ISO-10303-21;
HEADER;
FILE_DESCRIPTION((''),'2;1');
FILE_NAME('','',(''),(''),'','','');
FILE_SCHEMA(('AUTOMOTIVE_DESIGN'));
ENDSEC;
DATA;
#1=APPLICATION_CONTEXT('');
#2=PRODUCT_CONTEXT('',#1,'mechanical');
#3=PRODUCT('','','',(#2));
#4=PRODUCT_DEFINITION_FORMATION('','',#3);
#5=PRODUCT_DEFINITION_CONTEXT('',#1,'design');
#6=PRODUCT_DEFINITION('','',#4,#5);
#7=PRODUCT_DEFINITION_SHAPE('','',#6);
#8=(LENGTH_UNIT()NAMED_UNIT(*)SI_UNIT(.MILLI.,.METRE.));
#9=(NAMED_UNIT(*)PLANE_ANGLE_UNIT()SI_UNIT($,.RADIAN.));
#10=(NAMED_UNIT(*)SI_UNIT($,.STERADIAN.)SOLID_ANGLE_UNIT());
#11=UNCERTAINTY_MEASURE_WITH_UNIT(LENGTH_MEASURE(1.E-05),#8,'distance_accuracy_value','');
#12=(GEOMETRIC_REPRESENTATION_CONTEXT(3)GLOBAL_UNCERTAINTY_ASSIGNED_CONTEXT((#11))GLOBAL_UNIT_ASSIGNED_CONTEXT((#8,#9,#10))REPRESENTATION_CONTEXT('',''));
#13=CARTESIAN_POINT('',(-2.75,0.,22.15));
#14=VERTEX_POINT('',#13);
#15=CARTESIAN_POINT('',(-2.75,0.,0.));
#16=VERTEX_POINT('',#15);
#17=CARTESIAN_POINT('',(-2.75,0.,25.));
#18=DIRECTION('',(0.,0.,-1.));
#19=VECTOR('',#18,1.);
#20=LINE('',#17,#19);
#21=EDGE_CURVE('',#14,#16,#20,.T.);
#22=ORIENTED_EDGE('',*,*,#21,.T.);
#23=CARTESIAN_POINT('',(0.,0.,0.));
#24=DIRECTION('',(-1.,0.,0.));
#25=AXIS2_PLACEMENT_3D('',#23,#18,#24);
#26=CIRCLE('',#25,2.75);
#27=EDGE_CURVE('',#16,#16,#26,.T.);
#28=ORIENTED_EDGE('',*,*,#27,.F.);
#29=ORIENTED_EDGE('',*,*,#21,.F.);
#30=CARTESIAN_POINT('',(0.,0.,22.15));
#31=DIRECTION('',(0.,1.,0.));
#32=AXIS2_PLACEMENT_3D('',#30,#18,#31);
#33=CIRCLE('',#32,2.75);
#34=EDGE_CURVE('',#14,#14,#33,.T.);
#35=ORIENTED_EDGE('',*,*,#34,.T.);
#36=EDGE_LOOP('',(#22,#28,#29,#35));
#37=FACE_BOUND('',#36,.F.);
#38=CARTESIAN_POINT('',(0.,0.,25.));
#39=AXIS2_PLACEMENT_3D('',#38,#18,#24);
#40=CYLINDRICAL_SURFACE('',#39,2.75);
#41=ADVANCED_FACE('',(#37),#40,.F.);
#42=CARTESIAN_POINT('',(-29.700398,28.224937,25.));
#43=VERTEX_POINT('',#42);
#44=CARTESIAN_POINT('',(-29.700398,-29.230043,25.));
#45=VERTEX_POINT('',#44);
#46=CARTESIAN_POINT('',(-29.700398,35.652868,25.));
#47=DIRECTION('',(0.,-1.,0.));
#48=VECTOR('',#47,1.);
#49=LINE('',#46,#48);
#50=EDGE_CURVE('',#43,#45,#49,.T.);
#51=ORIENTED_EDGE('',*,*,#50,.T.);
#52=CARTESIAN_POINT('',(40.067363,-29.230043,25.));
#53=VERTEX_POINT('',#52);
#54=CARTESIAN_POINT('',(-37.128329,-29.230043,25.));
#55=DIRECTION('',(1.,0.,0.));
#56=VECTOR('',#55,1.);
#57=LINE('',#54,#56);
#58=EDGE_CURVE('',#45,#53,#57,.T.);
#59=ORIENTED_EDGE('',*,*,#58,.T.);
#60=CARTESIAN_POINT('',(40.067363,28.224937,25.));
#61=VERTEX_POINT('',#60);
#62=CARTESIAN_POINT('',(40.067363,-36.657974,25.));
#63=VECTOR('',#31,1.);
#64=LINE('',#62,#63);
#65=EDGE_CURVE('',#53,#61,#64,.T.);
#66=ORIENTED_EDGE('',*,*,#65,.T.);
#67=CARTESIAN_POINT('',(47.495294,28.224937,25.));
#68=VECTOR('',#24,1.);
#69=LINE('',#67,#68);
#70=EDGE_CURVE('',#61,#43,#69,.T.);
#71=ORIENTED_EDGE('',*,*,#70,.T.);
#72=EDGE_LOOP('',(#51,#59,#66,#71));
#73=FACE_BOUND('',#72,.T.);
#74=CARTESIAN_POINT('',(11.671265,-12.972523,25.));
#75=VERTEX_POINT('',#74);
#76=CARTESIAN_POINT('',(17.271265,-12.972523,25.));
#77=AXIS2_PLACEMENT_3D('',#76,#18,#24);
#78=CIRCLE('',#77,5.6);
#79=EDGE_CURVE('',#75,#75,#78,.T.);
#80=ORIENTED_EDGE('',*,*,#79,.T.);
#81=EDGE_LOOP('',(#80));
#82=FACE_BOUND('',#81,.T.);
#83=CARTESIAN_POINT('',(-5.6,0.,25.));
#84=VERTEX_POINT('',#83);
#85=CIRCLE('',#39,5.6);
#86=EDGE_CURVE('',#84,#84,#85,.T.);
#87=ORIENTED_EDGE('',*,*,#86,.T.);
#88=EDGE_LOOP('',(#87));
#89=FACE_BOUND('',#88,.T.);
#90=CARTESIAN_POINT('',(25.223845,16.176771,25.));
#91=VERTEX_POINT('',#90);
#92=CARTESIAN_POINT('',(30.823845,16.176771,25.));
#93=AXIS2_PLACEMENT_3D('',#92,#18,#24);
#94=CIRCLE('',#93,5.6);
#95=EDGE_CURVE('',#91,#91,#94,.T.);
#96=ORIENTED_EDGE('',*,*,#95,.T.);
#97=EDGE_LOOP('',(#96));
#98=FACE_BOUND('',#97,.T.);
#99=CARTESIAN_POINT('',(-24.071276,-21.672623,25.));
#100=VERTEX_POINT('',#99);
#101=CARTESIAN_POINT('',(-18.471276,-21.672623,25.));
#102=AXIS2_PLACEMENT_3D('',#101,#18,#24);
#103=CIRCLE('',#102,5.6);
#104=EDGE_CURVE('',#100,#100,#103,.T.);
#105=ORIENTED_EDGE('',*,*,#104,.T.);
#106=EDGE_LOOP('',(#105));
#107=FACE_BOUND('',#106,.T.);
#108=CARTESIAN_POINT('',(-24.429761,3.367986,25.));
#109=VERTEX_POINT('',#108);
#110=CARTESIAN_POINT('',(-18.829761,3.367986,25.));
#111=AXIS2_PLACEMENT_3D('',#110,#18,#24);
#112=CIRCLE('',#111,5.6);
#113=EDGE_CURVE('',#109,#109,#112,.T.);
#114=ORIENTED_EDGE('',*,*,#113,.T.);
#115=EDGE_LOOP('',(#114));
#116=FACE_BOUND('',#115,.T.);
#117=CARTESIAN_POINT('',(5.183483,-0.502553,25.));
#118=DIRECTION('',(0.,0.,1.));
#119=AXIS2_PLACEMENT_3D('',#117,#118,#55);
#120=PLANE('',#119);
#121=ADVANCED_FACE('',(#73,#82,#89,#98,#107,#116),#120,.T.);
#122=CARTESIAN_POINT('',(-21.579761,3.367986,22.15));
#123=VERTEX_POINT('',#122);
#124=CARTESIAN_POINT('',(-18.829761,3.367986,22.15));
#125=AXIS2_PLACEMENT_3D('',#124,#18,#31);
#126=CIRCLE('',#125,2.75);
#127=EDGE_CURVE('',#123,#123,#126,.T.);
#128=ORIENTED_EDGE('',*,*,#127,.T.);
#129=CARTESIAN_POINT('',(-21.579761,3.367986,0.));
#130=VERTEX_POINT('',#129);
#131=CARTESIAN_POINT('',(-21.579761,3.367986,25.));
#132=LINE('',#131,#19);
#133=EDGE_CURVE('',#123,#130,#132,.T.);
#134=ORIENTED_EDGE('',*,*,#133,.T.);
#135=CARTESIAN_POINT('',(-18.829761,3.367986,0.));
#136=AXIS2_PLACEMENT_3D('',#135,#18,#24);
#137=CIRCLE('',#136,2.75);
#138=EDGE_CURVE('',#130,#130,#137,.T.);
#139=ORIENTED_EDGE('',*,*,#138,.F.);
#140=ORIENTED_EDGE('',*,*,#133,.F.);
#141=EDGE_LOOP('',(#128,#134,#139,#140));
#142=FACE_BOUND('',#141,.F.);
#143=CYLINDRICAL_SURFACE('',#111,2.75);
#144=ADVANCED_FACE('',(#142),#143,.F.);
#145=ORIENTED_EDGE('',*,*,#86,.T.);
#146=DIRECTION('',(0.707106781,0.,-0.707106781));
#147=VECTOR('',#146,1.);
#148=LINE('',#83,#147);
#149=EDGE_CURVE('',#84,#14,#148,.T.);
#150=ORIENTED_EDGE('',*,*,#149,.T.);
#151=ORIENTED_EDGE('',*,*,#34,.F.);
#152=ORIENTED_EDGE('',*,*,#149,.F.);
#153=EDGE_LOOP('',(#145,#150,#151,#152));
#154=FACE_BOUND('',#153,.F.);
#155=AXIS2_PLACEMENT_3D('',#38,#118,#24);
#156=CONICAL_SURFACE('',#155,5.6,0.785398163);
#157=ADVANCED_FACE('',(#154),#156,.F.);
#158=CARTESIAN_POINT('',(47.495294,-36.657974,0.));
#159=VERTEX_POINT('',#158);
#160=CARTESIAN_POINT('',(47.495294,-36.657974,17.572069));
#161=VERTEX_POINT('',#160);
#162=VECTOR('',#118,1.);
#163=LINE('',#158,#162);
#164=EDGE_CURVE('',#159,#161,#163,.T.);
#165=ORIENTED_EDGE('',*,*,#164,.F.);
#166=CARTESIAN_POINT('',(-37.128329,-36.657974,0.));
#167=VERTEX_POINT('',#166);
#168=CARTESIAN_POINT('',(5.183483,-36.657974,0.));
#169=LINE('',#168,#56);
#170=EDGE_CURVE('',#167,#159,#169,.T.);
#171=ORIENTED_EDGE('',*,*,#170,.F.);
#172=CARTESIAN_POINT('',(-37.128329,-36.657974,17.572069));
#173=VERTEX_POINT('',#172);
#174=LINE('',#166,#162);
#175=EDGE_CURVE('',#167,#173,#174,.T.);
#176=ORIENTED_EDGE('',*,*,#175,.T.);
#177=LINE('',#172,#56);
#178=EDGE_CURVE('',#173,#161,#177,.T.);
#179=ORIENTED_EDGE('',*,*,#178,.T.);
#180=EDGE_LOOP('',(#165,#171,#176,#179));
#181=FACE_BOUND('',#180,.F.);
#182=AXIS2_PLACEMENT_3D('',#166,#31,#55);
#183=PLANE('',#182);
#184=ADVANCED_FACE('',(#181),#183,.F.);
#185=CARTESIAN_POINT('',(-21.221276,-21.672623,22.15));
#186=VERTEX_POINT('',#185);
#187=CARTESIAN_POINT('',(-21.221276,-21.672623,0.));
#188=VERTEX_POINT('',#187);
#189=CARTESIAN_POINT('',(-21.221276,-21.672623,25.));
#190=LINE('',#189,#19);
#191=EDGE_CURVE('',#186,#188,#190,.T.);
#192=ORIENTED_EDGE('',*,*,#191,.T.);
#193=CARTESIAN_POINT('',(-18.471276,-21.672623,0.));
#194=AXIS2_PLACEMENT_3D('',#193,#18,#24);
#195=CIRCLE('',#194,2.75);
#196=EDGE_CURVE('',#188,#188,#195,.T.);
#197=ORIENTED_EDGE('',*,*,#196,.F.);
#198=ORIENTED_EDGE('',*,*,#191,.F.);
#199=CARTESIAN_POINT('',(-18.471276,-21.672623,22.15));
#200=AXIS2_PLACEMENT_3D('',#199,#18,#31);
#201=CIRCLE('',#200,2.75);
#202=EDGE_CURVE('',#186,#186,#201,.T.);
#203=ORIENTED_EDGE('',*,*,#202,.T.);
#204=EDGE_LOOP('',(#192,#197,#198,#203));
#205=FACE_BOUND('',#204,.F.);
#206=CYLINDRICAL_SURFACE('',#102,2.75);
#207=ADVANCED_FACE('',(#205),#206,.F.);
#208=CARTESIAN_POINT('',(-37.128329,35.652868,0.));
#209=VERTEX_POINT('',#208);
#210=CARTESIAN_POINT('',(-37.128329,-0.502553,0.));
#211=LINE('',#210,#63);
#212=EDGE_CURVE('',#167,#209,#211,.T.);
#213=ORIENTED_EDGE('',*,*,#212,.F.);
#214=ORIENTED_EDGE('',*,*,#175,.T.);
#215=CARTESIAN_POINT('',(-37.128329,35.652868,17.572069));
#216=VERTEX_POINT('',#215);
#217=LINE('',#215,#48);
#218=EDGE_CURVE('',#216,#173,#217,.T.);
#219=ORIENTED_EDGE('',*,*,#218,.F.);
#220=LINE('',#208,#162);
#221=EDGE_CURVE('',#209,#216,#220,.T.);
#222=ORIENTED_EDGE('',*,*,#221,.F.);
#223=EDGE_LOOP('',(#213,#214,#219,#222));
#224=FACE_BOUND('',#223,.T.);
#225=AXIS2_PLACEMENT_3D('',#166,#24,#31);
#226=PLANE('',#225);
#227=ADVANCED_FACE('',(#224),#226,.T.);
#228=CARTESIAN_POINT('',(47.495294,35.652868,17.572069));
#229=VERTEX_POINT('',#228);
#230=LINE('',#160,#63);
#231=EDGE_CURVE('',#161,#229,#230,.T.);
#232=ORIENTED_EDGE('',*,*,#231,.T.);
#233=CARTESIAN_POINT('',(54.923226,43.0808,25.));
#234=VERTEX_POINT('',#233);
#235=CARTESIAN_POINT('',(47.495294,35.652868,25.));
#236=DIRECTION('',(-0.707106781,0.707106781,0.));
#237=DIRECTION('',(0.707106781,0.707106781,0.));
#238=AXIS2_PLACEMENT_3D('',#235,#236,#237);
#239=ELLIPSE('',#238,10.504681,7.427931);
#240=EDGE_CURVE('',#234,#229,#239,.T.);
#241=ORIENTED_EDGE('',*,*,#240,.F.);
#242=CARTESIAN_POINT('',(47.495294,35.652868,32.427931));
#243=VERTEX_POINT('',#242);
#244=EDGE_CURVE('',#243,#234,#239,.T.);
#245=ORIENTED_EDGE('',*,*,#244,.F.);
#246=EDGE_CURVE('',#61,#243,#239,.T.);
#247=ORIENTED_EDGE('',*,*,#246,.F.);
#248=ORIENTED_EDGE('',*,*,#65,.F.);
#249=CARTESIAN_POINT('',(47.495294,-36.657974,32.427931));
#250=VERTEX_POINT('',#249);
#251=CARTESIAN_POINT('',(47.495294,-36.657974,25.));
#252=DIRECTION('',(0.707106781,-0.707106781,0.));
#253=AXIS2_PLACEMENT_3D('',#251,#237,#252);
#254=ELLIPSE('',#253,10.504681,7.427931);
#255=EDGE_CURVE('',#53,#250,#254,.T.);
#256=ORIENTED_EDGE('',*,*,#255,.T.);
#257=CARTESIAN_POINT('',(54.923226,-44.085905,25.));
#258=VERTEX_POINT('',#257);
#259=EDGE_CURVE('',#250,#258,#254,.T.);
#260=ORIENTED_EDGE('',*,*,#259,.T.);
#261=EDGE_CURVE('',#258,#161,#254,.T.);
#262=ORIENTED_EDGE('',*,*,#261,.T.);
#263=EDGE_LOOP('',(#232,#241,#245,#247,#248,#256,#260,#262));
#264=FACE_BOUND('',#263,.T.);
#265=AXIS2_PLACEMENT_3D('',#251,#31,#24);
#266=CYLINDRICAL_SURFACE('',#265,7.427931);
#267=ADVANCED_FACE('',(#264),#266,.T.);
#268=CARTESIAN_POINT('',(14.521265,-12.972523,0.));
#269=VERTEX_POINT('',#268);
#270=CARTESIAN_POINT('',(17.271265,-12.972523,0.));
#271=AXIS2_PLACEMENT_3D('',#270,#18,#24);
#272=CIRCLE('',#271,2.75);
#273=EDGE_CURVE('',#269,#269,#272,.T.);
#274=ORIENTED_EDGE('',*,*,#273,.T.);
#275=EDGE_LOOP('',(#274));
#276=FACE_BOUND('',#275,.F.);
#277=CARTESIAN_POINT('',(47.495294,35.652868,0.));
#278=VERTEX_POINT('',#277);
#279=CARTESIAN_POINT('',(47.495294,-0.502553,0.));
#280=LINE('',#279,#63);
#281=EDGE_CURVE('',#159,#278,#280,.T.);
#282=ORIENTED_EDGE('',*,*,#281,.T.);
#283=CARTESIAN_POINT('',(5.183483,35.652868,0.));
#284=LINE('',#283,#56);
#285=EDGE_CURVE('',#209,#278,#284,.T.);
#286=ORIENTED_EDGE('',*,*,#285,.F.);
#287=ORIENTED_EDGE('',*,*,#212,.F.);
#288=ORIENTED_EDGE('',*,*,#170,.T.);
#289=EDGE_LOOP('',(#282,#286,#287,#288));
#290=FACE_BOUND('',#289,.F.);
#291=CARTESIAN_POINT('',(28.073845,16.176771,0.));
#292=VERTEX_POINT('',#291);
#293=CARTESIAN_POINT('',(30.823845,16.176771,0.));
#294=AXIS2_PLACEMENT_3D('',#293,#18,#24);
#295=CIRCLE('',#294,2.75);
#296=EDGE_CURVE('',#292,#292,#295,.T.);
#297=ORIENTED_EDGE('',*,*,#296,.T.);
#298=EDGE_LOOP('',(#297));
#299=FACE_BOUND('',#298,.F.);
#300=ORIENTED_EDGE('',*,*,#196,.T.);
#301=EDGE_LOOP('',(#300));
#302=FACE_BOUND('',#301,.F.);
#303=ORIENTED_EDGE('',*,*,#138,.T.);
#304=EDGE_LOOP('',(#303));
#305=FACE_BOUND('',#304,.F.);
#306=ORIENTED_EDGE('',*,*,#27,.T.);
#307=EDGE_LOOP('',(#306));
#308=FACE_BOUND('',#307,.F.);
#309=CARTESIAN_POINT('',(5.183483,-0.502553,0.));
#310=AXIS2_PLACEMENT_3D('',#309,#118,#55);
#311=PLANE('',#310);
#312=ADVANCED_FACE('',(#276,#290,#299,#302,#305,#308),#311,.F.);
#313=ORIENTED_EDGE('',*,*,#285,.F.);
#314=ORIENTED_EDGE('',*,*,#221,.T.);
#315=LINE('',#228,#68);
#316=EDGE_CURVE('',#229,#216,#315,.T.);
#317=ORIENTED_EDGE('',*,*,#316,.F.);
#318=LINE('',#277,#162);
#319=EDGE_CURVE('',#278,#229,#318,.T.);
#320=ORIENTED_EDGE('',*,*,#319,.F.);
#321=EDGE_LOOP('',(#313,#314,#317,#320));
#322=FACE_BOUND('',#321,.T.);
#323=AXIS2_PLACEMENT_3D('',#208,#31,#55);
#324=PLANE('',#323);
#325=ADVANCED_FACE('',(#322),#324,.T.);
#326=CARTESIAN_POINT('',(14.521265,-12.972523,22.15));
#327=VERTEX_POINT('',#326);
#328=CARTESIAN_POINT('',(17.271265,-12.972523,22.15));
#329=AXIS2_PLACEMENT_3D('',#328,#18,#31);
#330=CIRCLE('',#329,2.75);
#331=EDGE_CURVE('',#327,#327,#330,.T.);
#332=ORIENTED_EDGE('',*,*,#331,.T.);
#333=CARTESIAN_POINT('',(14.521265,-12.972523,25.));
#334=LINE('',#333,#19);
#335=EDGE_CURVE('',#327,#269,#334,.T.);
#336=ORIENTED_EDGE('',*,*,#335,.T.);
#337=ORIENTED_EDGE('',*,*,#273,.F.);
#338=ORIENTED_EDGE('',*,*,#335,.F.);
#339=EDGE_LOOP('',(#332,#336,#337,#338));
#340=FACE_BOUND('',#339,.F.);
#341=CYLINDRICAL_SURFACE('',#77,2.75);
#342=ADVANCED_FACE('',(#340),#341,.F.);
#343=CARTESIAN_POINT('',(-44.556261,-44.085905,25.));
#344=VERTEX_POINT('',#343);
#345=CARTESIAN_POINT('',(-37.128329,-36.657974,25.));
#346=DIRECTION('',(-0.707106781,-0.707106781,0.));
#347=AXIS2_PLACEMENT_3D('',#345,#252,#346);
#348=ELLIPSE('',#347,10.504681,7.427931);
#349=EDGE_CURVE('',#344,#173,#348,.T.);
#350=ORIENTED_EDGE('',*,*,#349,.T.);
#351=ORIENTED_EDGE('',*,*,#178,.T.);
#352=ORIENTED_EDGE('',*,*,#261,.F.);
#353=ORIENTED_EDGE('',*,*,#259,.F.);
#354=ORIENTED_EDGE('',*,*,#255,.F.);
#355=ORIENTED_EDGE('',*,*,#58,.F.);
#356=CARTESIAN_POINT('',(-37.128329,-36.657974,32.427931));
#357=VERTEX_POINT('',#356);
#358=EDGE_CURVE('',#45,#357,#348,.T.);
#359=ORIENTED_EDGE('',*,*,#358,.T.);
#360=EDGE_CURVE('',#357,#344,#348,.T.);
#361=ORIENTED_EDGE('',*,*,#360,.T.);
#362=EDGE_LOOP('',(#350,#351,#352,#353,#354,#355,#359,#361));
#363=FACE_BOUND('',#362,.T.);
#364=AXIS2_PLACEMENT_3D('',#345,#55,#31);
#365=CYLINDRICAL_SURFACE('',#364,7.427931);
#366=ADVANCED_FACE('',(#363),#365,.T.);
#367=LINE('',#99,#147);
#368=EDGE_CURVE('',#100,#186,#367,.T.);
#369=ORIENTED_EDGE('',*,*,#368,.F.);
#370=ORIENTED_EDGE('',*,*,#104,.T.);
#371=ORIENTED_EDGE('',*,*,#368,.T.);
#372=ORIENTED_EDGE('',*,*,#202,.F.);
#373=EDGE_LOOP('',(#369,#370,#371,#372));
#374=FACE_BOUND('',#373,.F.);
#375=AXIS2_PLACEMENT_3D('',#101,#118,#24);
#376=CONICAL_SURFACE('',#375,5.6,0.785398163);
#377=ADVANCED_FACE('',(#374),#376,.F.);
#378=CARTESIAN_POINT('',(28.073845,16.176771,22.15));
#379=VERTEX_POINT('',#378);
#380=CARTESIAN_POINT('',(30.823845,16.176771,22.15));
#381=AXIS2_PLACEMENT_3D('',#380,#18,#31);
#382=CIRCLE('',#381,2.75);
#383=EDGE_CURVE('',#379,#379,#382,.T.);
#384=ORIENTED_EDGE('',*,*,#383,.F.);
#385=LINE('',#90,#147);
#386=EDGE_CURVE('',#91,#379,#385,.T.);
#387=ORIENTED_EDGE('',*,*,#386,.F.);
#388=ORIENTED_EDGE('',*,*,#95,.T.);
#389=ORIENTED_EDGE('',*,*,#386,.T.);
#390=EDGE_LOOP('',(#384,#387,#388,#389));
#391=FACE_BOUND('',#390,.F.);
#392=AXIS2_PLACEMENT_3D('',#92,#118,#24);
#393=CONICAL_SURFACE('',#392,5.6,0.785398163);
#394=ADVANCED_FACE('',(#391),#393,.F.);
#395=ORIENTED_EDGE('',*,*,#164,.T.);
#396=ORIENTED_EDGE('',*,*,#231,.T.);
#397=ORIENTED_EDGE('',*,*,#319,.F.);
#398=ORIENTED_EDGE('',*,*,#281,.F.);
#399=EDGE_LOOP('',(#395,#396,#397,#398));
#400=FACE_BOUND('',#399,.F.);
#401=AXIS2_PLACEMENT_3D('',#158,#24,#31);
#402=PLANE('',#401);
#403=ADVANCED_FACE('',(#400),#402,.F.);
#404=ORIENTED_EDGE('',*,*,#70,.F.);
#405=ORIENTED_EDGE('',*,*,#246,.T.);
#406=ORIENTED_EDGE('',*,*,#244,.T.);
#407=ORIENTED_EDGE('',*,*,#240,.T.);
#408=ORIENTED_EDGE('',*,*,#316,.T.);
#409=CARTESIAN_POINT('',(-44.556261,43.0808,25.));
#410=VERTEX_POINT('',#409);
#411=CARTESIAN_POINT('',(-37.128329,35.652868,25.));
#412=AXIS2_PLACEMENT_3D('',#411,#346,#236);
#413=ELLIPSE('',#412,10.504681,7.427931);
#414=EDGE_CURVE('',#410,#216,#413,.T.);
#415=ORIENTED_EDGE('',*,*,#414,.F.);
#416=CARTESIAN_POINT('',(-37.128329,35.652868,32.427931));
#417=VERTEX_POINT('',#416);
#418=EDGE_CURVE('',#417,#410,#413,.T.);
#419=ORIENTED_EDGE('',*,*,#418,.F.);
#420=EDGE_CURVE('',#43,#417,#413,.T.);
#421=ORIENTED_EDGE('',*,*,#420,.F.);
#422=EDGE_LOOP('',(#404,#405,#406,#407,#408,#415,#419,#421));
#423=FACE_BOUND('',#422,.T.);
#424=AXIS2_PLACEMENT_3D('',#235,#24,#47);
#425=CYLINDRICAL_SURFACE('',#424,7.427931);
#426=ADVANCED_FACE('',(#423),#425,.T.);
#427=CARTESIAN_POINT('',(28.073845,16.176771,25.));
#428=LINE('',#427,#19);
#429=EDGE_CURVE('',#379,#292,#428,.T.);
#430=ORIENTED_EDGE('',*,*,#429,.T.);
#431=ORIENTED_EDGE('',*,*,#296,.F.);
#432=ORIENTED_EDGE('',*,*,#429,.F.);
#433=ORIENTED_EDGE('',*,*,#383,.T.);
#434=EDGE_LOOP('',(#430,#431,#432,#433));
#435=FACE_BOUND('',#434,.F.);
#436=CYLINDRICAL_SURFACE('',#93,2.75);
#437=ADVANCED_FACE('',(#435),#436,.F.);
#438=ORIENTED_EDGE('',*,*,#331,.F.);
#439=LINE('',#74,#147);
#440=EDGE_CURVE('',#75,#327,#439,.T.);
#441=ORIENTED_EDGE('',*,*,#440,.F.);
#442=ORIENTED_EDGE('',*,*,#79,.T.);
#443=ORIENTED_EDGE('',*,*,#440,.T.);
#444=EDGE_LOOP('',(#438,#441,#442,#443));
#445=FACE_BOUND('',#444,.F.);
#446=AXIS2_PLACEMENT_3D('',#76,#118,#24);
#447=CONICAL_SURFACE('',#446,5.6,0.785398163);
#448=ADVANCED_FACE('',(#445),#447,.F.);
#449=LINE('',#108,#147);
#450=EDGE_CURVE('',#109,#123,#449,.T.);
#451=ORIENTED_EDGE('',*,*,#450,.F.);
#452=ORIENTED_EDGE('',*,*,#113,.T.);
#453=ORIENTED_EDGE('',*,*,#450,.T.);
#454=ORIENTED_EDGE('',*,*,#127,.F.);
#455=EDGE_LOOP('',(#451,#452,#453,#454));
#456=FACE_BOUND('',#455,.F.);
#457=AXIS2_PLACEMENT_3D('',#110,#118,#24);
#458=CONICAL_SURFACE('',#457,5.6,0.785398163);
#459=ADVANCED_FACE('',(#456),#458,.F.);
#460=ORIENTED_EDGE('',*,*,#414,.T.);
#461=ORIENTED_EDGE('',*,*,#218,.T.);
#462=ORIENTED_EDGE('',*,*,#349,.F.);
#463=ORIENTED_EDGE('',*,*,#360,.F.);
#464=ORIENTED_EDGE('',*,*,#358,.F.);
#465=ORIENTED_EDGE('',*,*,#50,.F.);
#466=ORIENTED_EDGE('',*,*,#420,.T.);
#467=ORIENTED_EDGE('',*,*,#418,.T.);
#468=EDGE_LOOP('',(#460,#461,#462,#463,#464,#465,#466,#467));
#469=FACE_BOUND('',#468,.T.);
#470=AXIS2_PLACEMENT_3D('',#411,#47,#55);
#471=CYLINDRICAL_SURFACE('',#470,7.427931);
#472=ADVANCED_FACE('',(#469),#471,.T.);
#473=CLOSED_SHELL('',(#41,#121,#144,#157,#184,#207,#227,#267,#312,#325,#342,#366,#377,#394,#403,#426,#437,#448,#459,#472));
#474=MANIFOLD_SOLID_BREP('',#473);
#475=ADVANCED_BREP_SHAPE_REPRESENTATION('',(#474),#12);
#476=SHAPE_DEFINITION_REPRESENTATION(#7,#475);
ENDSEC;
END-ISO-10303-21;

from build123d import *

# Parameters (mm, degrees)
F0_W           = 84.6236236393
F0_H           = 72.3108425736
F1_DEPTH       = 25
F3_D           = 5.5
F3_CSINK_D     = 11.2
F3_CSINK_ANGLE = 90


with BuildPart() as f1:
    # F0 (on Top) → F1 (new body)
    with BuildSketch(Plane.XY):
        with Locations((5.1834825426, -0.5025528371)):
            Rectangle(F0_W, F0_H)
    extrude(amount=F1_DEPTH)

    # F3 (through all)
    with Locations(Plane.XY.offset(25)):
        with Locations((-18.4712763876, -21.672623232), (17.2712653875, -12.972522527), (0, 0), (-18.829761073, 3.3679855987), (30.8238454163, 16.1767713726)):
            CounterSinkHole(F3_D / 2, F3_CSINK_D / 2, counter_sink_angle=F3_CSINK_ANGLE)

    # F5: sweep along a path in F5_path
    with BuildLine(Plane(origin=(47.4952943623, 35.6528684497, 25), x_dir=(0, -1, 0), z_dir=(0, 0, -1))) as f5_path:
        Line((0, 0), (0, 84.6236236393))
        Line((0, 84.6236236393), (72.3108425736, 84.6236236393))
        Line((72.3108425736, 84.6236236393), (72.3108425736, 0))
        Line((72.3108425736, 0), (0, 0))
    # F4 (on face) → F5 (sweep)
    with BuildSketch(Plane(origin=(-37.128329277, 0, 0), x_dir=(0, -1, 0), z_dir=(-1, 0, 0))):
        with BuildLine():
            Line((-35.6528684497, 25), (-28.2249371945, 25))
            ThreePointArc((-28.2249371945, 25), (-40.9052090104, 30.2523405608), (-35.6528684497, 17.5720687448))
            Line((-35.6528684497, 17.5720687448), (-35.6528684497, 25))
        make_face()
    sweep(path=f5_path.line, transition=Transition.RIGHT)


solid = f1.part
